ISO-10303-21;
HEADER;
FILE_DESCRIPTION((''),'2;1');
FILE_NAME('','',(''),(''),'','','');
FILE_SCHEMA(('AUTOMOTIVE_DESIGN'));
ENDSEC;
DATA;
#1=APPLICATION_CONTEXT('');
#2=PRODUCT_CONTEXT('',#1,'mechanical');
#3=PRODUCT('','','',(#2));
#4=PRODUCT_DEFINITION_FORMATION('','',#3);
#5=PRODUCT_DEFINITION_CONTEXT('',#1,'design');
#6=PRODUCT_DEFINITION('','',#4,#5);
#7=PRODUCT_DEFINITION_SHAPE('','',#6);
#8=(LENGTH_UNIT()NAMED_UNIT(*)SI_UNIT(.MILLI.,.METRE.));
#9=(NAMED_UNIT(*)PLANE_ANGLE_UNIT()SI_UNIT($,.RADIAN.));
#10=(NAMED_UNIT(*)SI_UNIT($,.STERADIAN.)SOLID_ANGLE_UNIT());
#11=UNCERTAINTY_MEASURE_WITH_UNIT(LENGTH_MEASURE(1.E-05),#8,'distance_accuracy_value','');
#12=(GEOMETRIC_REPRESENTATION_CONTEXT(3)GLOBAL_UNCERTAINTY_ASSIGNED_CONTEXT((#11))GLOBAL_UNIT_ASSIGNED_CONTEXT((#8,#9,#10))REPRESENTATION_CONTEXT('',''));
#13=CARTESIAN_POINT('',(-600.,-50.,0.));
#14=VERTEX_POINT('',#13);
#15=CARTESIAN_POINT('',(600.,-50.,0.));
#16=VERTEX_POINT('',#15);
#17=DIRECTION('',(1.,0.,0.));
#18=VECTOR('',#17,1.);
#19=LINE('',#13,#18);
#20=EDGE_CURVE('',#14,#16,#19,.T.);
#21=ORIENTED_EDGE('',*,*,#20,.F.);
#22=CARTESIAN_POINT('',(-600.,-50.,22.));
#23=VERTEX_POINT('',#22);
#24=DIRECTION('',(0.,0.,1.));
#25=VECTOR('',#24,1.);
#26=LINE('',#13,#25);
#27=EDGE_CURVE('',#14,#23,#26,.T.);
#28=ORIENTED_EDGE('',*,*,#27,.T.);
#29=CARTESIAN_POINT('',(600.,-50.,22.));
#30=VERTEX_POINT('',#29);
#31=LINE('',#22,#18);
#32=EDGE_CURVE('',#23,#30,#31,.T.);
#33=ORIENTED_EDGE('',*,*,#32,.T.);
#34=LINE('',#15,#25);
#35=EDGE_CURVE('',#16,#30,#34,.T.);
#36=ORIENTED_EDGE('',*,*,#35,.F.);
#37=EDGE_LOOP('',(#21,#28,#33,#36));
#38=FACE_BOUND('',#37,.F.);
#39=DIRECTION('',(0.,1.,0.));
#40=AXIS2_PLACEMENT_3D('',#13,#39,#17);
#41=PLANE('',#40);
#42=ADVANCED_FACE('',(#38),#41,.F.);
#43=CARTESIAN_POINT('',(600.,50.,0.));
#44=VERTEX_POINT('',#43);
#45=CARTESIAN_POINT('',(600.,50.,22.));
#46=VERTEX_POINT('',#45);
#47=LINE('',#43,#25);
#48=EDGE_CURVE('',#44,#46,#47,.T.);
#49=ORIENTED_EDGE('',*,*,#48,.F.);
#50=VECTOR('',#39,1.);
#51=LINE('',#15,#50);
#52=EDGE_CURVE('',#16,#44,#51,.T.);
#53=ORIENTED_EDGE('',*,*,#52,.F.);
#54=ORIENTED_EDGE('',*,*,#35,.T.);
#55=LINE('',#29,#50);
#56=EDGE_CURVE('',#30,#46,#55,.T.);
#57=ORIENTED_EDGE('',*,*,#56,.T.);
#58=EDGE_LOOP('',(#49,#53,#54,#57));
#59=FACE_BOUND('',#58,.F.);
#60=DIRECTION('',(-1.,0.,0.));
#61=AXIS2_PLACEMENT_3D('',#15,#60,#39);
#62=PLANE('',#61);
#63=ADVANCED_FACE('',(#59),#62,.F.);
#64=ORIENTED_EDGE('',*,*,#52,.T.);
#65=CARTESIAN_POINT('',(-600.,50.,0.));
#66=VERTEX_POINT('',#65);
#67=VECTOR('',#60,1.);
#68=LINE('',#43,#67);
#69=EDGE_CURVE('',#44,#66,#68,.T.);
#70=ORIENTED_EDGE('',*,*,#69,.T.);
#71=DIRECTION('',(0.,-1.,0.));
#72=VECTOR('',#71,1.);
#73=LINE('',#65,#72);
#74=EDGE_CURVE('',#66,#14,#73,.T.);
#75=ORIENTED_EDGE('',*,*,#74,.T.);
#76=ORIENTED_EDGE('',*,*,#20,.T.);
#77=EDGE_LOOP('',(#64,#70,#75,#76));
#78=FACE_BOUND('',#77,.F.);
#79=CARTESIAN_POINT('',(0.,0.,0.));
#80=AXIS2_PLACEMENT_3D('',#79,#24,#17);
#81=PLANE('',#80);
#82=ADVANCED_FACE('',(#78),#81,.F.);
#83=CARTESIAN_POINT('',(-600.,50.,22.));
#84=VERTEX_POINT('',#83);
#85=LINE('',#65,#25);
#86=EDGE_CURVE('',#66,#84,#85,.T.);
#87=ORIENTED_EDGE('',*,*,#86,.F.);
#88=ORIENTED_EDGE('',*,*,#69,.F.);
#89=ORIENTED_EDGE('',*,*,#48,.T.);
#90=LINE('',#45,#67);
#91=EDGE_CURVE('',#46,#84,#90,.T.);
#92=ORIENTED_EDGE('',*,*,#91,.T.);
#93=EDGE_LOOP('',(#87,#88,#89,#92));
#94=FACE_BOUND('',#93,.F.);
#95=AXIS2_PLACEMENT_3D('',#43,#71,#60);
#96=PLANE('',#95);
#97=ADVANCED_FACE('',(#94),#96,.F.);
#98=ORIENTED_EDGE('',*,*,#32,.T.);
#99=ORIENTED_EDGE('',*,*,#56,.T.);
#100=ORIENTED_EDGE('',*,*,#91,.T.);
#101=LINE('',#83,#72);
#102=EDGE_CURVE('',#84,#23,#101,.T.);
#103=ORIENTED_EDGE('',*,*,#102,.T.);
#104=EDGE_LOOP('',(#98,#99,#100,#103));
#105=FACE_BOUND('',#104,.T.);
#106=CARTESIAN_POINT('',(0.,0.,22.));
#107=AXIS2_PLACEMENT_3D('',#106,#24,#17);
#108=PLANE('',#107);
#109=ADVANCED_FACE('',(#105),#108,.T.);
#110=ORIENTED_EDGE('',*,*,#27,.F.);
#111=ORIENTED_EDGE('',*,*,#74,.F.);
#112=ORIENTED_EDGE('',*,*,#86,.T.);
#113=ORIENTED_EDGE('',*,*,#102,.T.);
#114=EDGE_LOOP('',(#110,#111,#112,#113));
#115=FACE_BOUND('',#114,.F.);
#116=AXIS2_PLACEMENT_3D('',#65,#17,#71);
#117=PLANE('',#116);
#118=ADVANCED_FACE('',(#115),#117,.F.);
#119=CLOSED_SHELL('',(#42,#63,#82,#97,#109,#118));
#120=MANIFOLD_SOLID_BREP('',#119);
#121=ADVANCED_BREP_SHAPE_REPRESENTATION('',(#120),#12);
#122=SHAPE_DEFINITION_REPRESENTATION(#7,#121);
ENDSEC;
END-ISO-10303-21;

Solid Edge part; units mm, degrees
sketch "Sketch1" plane through (0, 0, 0) normal (0, 0, 1) x (1, 0, 0)
  line L0 (-600, -50) -> (600, -50)
  line L1 (600, -50) -> (600, 50)
  line L2 (600, 50) -> (-600, 50)
  line L3 (-600, 50) -> (-600, -50)
  dimension "D1" = 100
  dimension "D2" = 1200
extrude "Protrusion1" add sketch "Sketch1" along normal blind 22
